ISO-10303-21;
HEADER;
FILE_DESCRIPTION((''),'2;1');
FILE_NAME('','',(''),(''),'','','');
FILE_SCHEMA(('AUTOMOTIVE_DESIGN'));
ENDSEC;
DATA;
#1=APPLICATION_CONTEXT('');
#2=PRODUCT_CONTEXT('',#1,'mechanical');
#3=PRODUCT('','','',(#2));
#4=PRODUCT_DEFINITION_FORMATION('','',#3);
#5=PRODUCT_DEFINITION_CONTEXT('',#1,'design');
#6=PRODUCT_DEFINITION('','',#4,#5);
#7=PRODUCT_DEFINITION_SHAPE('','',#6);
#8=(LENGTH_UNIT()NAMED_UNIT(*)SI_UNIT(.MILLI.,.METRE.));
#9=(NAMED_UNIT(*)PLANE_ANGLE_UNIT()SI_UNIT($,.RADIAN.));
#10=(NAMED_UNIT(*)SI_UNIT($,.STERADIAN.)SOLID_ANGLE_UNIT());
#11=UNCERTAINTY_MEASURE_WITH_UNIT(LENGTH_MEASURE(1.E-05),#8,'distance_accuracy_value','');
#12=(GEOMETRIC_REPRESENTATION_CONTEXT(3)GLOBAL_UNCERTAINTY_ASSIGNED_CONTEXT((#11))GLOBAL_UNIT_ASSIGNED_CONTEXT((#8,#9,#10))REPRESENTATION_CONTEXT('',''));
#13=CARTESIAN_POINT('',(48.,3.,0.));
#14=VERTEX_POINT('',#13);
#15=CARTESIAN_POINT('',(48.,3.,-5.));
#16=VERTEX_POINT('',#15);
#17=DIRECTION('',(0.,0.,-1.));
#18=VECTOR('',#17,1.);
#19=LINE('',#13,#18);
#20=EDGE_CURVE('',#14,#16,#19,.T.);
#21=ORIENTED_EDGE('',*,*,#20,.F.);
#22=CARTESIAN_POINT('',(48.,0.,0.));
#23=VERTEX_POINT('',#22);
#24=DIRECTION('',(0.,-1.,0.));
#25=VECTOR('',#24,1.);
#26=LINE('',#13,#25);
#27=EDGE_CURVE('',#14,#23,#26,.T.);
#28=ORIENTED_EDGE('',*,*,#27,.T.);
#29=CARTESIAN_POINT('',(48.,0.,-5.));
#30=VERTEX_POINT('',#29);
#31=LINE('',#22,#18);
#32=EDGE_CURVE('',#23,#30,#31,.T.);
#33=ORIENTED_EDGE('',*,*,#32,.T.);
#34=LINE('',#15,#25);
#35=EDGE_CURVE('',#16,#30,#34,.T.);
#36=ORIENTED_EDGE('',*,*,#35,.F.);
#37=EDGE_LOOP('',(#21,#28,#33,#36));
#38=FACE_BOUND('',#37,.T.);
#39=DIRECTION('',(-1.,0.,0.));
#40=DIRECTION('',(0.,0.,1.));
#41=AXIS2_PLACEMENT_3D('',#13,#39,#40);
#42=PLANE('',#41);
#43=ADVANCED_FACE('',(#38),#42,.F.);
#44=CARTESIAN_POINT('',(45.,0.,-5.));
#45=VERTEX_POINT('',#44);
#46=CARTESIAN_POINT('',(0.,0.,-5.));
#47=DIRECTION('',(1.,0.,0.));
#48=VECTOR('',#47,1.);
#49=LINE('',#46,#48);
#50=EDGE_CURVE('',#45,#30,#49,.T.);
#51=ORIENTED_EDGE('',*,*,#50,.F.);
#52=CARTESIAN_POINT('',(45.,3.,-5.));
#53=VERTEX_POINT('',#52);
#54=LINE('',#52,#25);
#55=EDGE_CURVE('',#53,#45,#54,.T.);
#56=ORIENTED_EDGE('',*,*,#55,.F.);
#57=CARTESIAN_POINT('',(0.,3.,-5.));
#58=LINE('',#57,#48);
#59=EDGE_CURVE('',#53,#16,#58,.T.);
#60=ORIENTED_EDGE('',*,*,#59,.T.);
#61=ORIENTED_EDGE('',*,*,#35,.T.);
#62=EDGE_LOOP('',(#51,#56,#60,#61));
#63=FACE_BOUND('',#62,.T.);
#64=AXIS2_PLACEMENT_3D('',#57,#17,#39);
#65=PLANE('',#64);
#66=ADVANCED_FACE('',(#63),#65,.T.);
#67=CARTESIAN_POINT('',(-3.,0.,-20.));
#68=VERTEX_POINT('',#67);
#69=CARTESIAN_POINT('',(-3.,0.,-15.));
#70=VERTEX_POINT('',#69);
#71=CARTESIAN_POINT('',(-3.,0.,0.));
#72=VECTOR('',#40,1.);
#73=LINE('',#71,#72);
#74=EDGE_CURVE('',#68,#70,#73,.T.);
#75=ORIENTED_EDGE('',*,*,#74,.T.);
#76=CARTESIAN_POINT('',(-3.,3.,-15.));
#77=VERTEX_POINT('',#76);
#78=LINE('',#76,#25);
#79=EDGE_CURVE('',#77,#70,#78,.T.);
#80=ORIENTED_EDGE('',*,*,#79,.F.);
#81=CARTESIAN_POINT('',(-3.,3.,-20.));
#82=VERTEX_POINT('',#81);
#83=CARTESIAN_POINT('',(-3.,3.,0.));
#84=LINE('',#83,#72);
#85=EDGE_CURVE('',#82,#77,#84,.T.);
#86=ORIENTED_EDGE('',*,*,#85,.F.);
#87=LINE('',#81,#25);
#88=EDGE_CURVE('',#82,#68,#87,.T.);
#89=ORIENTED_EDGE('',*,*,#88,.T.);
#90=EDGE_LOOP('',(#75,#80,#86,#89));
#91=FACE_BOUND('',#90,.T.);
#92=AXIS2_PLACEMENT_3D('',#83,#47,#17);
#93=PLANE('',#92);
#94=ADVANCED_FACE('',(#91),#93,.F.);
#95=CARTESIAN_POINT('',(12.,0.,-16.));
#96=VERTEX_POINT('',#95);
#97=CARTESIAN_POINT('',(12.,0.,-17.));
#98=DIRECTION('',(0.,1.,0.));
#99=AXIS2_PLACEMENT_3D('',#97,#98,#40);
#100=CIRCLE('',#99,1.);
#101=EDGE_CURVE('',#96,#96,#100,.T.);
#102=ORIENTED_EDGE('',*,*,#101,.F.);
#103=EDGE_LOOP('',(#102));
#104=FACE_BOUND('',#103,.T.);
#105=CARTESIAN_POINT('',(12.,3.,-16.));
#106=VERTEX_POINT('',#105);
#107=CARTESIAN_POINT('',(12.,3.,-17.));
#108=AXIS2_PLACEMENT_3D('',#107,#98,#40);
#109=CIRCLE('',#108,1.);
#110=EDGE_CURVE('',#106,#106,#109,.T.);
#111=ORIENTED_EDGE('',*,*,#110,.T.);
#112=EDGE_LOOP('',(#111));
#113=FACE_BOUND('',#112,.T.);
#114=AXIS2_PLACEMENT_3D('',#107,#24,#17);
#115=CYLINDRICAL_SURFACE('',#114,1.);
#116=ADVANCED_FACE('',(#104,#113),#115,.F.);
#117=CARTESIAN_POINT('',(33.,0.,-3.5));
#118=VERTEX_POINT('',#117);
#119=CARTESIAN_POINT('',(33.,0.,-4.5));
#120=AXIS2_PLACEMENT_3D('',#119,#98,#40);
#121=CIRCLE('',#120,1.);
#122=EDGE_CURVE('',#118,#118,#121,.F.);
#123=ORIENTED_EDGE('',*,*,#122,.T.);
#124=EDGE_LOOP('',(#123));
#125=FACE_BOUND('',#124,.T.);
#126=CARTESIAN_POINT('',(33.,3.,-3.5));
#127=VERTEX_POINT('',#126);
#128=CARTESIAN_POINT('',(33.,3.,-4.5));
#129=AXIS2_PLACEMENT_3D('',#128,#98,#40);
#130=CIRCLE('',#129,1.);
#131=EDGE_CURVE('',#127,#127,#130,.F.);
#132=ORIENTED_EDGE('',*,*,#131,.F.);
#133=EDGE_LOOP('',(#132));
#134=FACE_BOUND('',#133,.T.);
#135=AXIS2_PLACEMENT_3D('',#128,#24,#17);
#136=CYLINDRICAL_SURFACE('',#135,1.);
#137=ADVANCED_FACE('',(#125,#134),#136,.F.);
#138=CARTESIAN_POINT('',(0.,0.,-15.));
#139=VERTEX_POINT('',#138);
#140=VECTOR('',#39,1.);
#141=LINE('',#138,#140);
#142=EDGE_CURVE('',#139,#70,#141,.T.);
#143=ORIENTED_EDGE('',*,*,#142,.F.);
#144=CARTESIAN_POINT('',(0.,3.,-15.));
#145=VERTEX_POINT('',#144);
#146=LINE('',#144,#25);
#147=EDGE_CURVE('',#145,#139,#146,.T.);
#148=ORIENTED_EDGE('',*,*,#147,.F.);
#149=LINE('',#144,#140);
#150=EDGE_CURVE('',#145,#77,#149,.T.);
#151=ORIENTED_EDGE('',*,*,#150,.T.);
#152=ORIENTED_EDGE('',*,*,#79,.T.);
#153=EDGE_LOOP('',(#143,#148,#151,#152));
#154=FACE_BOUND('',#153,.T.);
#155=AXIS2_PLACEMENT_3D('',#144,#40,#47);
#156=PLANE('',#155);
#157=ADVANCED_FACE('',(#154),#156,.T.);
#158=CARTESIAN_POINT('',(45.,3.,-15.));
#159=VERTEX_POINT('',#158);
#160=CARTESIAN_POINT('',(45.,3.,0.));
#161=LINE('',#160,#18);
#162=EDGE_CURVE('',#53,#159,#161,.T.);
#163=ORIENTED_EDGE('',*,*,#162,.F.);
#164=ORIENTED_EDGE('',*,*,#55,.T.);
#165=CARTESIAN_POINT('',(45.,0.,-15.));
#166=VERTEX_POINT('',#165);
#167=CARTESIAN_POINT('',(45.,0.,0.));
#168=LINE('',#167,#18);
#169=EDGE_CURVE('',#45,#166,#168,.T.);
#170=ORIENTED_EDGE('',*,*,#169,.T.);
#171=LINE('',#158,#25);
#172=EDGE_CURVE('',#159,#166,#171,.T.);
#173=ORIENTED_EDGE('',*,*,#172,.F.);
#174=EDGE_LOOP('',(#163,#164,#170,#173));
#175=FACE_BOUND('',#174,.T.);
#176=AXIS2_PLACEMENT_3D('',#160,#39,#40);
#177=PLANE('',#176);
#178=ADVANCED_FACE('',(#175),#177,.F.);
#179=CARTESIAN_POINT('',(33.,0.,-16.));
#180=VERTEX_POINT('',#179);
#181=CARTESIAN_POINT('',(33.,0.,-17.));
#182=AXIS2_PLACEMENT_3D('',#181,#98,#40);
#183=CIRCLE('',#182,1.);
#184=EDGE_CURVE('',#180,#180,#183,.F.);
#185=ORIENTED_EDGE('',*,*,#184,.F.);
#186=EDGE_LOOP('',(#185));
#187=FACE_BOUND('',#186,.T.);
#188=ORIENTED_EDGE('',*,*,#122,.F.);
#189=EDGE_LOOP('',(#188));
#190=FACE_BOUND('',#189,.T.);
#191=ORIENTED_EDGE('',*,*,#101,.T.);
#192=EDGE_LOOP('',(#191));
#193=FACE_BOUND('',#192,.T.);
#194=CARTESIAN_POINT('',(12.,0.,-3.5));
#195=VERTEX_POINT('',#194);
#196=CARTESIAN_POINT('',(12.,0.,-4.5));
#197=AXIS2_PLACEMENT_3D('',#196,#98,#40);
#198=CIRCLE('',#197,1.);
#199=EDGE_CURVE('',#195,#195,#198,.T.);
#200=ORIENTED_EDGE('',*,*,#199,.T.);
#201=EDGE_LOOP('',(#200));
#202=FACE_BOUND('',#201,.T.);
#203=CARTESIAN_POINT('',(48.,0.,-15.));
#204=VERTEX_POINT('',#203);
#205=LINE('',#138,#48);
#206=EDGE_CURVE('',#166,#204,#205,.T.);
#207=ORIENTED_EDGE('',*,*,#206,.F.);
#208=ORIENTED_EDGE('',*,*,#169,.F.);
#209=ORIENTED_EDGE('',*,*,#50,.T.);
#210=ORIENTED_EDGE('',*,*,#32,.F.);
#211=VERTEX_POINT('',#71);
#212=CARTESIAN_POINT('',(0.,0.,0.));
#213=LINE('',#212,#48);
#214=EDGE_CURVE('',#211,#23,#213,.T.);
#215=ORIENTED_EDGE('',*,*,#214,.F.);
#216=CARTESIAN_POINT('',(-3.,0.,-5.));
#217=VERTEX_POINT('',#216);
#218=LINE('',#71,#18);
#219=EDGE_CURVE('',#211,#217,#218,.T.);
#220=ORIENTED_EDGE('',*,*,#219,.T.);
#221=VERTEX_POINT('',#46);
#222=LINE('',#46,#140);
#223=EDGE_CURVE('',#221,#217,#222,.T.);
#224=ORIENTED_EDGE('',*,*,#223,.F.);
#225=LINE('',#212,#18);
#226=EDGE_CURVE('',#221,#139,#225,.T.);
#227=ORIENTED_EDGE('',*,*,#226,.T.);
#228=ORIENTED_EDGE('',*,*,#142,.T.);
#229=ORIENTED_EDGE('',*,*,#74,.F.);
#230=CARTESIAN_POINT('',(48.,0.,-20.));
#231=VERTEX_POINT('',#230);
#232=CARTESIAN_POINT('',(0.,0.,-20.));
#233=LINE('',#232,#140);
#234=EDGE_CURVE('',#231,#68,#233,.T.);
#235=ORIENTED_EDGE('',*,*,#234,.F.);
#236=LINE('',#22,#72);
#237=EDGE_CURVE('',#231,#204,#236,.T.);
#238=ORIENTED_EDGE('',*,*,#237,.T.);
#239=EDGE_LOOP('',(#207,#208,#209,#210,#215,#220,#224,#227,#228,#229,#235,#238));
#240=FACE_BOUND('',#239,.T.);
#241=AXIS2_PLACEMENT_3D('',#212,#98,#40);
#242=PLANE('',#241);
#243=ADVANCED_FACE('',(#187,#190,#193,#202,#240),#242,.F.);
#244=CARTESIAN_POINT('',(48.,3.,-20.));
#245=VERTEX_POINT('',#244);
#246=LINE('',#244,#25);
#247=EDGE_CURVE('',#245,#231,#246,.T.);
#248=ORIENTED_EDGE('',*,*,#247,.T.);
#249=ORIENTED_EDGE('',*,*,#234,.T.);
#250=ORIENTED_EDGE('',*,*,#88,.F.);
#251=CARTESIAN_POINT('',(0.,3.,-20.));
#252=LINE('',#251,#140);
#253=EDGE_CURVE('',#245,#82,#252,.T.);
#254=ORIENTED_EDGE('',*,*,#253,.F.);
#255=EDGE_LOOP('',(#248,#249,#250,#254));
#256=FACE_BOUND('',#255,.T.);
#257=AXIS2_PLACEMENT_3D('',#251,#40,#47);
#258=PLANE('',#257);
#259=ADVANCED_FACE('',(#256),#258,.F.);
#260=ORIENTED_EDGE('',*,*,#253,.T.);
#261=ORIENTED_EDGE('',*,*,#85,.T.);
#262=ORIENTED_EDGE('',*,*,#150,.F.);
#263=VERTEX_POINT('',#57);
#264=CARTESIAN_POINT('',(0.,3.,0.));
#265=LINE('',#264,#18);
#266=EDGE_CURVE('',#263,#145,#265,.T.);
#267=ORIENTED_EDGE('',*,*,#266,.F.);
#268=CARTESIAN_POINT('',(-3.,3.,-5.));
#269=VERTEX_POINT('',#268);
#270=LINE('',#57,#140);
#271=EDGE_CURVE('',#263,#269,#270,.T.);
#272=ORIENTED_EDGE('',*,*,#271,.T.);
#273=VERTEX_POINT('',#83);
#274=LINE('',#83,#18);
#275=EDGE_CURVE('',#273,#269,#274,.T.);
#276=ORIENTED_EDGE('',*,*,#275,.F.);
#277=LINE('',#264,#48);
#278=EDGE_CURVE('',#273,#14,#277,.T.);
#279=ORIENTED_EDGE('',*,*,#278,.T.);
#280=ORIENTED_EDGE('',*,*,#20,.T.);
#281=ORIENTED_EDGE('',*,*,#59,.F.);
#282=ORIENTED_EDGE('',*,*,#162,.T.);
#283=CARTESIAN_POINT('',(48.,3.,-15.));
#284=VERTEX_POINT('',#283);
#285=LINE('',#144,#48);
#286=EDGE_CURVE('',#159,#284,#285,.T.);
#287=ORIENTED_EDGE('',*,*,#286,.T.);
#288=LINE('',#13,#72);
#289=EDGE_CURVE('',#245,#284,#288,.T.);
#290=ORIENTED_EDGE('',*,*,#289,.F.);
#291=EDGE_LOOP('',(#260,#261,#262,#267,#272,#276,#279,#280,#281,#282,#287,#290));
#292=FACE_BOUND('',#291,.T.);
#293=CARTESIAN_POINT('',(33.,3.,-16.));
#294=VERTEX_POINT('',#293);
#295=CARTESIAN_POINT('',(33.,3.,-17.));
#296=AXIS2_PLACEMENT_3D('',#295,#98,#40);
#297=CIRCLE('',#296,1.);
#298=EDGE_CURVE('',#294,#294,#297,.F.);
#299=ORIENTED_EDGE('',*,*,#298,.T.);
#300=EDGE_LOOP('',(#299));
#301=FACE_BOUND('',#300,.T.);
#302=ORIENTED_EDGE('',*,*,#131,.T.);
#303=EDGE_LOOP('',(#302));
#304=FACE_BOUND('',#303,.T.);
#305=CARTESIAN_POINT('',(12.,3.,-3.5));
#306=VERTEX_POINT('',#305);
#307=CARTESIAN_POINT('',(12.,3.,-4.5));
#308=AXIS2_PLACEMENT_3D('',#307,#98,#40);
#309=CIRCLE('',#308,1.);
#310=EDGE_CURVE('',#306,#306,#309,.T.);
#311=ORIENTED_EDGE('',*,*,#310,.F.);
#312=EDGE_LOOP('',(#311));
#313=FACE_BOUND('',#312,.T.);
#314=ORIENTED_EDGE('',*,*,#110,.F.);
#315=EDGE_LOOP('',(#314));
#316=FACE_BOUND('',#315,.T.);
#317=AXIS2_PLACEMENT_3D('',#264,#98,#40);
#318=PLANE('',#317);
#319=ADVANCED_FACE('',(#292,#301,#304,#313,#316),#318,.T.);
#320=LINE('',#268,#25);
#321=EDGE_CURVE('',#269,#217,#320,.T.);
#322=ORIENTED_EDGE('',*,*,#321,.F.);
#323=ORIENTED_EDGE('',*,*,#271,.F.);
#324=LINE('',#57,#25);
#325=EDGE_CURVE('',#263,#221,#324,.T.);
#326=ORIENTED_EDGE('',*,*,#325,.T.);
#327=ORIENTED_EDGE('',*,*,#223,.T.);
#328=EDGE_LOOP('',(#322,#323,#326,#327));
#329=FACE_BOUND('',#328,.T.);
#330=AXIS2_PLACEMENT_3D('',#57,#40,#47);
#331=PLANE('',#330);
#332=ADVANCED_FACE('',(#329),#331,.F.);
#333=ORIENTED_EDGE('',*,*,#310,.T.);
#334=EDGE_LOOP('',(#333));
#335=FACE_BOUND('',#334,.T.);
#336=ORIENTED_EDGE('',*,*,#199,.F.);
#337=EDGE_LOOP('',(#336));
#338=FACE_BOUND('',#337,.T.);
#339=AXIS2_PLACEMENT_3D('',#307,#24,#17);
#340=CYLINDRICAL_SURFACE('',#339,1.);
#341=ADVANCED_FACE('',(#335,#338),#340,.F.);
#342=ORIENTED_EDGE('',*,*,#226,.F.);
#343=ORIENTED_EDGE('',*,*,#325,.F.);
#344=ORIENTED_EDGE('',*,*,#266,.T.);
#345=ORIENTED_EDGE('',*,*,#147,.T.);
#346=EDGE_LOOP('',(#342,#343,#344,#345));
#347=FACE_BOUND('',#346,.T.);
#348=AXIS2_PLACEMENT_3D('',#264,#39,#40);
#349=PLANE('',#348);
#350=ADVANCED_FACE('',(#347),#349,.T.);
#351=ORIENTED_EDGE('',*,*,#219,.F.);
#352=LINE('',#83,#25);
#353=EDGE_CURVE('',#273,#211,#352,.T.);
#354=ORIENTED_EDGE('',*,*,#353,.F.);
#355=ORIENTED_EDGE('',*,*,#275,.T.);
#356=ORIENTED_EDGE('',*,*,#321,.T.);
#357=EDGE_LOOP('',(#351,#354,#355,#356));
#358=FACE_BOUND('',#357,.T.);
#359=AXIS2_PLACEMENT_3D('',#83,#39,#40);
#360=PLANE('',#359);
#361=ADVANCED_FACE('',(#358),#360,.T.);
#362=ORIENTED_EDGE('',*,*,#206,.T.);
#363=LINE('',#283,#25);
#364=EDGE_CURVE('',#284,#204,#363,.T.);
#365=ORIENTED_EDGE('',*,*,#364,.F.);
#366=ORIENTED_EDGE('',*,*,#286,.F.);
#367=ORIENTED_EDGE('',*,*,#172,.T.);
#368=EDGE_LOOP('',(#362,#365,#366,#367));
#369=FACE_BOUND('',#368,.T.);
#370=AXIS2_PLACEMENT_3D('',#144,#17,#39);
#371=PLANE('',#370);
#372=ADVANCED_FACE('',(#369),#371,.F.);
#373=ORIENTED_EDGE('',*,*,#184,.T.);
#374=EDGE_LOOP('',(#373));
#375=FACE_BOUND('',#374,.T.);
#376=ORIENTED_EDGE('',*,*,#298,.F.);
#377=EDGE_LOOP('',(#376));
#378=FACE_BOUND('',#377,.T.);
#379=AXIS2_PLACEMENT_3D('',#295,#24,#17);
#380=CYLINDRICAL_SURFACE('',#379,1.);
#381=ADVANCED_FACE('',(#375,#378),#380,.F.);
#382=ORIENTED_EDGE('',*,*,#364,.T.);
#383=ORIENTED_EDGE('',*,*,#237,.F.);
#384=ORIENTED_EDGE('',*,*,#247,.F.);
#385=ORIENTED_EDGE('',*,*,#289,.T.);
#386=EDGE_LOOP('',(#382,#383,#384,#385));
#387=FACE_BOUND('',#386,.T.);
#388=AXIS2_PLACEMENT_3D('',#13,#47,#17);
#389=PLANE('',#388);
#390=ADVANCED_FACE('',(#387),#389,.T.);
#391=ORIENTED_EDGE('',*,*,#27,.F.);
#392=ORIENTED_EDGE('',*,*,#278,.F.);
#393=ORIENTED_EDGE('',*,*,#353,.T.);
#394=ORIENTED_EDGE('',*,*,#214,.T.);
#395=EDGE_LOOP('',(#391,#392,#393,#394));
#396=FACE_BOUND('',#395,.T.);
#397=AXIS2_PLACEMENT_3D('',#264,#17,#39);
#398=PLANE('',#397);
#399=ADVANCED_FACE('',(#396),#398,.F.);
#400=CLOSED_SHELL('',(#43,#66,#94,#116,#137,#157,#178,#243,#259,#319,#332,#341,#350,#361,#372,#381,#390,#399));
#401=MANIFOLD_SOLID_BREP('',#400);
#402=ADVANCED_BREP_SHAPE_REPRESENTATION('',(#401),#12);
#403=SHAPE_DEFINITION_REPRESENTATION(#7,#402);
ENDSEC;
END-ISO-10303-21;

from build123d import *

# Parameters (mm, degrees)
SKETCH1_W           = 3
SKETCH1_H           = 5
SKETCH1_R           = 1
BOSS_EXTRUDE1_DEPTH = 3


with BuildPart() as part:
    # Sketch1 → Boss-Extrude1 (new body)
    # profile 1 of 6: a face of its own
    with BuildSketch(Plane(origin=(0, 0, 0), x_dir=(1, 0, 0), z_dir=(0, 1, 0))):
        with Locations((-1.5, 17.5)):
            Rectangle(SKETCH1_W, SKETCH1_H)
    # profile 2 of 6: a face of its own
    with BuildSketch(Plane(origin=(0, 0, 0), x_dir=(1, 0, 0), z_dir=(0, 1, 0))):
        Polygon((22.5, 0), (22.5, 20), (0, 20), (0, 15), (0, 5), (0, 0), align=None)
        with Locations(Location((12, 4.5, 0), (0, 0, 270))):
            Circle(SKETCH1_R, mode=Mode.SUBTRACT)
        with Locations(Location((12, 17, 0), (0, 0, 270))):
            Circle(SKETCH1_R, mode=Mode.SUBTRACT)
    # profile 3 of 6: a face of its own
    with BuildSketch(Plane(origin=(0, 0, 0), x_dir=(1, 0, 0), z_dir=(0, 1, 0))):
        Polygon((45, 20), (22.5, 20), (22.5, 0), (45, 0), (45, 5), (45, 15), align=None)
        with Locations(Location((33, 4.5, 0), (0, 0, 270))):
            Circle(SKETCH1_R, mode=Mode.SUBTRACT)
        with Locations(Location((33, 17, 0), (0, 0, 270))):
            Circle(SKETCH1_R, mode=Mode.SUBTRACT)
    # profile 4 of 6: a face of its own
    with BuildSketch(Plane(origin=(0, 0, 0), x_dir=(1, 0, 0), z_dir=(0, 1, 0))):
        with Locations((46.5, 17.5)):
            Rectangle(SKETCH1_W, SKETCH1_H)
    # profile 5 of 6: a face of its own
    with BuildSketch(Plane(origin=(0, 0, 0), x_dir=(1, 0, 0), z_dir=(0, 1, 0))):
        with Locations((-1.5, 2.5)):
            Rectangle(SKETCH1_W, SKETCH1_H)
    # profile 6 of 6: a face of its own
    with BuildSketch(Plane(origin=(0, 0, 0), x_dir=(1, 0, 0), z_dir=(0, 1, 0))):
        with Locations((46.5, 2.5)):
            Rectangle(SKETCH1_W, SKETCH1_H)
    extrude(amount=BOSS_EXTRUDE1_DEPTH)


solid = part.part
